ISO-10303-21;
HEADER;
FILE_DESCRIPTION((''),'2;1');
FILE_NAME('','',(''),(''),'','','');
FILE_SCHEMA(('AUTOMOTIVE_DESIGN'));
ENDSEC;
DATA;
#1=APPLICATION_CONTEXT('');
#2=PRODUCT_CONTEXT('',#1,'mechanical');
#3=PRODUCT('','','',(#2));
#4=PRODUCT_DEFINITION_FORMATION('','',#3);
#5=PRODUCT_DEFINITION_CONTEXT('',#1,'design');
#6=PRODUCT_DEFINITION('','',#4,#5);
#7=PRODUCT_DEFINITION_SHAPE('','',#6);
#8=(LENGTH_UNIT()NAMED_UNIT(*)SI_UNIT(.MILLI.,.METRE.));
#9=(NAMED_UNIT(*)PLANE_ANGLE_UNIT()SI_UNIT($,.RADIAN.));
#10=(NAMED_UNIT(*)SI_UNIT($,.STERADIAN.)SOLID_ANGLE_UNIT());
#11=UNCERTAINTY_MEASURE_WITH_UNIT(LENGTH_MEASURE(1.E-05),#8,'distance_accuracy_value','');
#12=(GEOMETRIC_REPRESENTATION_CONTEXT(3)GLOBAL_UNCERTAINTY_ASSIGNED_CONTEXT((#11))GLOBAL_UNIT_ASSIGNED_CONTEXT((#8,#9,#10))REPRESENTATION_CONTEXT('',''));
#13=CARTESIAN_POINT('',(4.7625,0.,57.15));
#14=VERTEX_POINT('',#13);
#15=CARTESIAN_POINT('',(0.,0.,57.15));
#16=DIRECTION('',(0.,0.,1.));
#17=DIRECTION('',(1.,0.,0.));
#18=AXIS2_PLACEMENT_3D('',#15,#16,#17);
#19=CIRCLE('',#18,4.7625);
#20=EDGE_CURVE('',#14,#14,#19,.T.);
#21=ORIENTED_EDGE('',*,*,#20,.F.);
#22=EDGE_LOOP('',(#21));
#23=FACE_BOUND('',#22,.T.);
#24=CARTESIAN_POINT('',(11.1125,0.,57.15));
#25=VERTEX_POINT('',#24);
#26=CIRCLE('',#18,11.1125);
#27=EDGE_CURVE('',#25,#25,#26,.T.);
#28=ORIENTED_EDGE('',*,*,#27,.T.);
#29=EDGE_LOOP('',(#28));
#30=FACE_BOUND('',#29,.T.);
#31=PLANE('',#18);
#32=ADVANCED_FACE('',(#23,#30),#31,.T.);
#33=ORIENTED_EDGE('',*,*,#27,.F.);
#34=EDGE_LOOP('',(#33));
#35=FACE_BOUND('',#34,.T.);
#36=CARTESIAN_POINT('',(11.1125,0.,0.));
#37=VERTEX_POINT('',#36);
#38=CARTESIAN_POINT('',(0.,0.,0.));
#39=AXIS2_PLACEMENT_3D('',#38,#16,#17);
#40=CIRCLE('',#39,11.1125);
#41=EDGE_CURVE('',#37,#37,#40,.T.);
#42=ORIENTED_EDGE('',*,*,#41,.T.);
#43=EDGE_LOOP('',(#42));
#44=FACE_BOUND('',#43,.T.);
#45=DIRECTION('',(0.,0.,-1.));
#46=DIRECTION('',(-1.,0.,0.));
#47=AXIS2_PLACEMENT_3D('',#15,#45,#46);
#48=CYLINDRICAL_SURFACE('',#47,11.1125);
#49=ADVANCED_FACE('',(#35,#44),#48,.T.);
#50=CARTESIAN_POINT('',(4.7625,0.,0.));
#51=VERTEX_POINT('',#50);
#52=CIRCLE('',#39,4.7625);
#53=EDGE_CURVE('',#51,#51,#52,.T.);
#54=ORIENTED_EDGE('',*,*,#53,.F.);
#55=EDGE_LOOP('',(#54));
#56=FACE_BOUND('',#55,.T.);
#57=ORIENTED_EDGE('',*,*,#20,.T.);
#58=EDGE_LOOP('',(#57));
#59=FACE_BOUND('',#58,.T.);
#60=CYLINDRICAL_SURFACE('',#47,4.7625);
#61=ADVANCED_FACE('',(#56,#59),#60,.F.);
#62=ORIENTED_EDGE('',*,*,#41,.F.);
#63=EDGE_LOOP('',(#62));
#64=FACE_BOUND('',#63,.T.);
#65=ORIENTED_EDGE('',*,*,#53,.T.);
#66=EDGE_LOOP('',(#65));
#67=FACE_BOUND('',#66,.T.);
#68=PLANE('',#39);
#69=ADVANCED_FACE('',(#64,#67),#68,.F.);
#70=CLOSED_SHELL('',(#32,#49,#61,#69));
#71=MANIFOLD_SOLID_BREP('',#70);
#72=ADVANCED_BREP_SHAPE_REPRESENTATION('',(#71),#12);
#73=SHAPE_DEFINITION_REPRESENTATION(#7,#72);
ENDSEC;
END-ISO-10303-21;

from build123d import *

# Parameters (mm, degrees)
SKETCH1_R           = 11.1125
SKETCH1_R_2         = 4.7625
BOSS_EXTRUDE1_DEPTH = 57.15


with BuildPart() as part:
    # Sketch1 → Boss-Extrude1 (new body)
    with BuildSketch(Plane.XY):
        Circle(SKETCH1_R)
        Circle(SKETCH1_R_2, mode=Mode.SUBTRACT)
    extrude(amount=BOSS_EXTRUDE1_DEPTH)


solid = part.part
